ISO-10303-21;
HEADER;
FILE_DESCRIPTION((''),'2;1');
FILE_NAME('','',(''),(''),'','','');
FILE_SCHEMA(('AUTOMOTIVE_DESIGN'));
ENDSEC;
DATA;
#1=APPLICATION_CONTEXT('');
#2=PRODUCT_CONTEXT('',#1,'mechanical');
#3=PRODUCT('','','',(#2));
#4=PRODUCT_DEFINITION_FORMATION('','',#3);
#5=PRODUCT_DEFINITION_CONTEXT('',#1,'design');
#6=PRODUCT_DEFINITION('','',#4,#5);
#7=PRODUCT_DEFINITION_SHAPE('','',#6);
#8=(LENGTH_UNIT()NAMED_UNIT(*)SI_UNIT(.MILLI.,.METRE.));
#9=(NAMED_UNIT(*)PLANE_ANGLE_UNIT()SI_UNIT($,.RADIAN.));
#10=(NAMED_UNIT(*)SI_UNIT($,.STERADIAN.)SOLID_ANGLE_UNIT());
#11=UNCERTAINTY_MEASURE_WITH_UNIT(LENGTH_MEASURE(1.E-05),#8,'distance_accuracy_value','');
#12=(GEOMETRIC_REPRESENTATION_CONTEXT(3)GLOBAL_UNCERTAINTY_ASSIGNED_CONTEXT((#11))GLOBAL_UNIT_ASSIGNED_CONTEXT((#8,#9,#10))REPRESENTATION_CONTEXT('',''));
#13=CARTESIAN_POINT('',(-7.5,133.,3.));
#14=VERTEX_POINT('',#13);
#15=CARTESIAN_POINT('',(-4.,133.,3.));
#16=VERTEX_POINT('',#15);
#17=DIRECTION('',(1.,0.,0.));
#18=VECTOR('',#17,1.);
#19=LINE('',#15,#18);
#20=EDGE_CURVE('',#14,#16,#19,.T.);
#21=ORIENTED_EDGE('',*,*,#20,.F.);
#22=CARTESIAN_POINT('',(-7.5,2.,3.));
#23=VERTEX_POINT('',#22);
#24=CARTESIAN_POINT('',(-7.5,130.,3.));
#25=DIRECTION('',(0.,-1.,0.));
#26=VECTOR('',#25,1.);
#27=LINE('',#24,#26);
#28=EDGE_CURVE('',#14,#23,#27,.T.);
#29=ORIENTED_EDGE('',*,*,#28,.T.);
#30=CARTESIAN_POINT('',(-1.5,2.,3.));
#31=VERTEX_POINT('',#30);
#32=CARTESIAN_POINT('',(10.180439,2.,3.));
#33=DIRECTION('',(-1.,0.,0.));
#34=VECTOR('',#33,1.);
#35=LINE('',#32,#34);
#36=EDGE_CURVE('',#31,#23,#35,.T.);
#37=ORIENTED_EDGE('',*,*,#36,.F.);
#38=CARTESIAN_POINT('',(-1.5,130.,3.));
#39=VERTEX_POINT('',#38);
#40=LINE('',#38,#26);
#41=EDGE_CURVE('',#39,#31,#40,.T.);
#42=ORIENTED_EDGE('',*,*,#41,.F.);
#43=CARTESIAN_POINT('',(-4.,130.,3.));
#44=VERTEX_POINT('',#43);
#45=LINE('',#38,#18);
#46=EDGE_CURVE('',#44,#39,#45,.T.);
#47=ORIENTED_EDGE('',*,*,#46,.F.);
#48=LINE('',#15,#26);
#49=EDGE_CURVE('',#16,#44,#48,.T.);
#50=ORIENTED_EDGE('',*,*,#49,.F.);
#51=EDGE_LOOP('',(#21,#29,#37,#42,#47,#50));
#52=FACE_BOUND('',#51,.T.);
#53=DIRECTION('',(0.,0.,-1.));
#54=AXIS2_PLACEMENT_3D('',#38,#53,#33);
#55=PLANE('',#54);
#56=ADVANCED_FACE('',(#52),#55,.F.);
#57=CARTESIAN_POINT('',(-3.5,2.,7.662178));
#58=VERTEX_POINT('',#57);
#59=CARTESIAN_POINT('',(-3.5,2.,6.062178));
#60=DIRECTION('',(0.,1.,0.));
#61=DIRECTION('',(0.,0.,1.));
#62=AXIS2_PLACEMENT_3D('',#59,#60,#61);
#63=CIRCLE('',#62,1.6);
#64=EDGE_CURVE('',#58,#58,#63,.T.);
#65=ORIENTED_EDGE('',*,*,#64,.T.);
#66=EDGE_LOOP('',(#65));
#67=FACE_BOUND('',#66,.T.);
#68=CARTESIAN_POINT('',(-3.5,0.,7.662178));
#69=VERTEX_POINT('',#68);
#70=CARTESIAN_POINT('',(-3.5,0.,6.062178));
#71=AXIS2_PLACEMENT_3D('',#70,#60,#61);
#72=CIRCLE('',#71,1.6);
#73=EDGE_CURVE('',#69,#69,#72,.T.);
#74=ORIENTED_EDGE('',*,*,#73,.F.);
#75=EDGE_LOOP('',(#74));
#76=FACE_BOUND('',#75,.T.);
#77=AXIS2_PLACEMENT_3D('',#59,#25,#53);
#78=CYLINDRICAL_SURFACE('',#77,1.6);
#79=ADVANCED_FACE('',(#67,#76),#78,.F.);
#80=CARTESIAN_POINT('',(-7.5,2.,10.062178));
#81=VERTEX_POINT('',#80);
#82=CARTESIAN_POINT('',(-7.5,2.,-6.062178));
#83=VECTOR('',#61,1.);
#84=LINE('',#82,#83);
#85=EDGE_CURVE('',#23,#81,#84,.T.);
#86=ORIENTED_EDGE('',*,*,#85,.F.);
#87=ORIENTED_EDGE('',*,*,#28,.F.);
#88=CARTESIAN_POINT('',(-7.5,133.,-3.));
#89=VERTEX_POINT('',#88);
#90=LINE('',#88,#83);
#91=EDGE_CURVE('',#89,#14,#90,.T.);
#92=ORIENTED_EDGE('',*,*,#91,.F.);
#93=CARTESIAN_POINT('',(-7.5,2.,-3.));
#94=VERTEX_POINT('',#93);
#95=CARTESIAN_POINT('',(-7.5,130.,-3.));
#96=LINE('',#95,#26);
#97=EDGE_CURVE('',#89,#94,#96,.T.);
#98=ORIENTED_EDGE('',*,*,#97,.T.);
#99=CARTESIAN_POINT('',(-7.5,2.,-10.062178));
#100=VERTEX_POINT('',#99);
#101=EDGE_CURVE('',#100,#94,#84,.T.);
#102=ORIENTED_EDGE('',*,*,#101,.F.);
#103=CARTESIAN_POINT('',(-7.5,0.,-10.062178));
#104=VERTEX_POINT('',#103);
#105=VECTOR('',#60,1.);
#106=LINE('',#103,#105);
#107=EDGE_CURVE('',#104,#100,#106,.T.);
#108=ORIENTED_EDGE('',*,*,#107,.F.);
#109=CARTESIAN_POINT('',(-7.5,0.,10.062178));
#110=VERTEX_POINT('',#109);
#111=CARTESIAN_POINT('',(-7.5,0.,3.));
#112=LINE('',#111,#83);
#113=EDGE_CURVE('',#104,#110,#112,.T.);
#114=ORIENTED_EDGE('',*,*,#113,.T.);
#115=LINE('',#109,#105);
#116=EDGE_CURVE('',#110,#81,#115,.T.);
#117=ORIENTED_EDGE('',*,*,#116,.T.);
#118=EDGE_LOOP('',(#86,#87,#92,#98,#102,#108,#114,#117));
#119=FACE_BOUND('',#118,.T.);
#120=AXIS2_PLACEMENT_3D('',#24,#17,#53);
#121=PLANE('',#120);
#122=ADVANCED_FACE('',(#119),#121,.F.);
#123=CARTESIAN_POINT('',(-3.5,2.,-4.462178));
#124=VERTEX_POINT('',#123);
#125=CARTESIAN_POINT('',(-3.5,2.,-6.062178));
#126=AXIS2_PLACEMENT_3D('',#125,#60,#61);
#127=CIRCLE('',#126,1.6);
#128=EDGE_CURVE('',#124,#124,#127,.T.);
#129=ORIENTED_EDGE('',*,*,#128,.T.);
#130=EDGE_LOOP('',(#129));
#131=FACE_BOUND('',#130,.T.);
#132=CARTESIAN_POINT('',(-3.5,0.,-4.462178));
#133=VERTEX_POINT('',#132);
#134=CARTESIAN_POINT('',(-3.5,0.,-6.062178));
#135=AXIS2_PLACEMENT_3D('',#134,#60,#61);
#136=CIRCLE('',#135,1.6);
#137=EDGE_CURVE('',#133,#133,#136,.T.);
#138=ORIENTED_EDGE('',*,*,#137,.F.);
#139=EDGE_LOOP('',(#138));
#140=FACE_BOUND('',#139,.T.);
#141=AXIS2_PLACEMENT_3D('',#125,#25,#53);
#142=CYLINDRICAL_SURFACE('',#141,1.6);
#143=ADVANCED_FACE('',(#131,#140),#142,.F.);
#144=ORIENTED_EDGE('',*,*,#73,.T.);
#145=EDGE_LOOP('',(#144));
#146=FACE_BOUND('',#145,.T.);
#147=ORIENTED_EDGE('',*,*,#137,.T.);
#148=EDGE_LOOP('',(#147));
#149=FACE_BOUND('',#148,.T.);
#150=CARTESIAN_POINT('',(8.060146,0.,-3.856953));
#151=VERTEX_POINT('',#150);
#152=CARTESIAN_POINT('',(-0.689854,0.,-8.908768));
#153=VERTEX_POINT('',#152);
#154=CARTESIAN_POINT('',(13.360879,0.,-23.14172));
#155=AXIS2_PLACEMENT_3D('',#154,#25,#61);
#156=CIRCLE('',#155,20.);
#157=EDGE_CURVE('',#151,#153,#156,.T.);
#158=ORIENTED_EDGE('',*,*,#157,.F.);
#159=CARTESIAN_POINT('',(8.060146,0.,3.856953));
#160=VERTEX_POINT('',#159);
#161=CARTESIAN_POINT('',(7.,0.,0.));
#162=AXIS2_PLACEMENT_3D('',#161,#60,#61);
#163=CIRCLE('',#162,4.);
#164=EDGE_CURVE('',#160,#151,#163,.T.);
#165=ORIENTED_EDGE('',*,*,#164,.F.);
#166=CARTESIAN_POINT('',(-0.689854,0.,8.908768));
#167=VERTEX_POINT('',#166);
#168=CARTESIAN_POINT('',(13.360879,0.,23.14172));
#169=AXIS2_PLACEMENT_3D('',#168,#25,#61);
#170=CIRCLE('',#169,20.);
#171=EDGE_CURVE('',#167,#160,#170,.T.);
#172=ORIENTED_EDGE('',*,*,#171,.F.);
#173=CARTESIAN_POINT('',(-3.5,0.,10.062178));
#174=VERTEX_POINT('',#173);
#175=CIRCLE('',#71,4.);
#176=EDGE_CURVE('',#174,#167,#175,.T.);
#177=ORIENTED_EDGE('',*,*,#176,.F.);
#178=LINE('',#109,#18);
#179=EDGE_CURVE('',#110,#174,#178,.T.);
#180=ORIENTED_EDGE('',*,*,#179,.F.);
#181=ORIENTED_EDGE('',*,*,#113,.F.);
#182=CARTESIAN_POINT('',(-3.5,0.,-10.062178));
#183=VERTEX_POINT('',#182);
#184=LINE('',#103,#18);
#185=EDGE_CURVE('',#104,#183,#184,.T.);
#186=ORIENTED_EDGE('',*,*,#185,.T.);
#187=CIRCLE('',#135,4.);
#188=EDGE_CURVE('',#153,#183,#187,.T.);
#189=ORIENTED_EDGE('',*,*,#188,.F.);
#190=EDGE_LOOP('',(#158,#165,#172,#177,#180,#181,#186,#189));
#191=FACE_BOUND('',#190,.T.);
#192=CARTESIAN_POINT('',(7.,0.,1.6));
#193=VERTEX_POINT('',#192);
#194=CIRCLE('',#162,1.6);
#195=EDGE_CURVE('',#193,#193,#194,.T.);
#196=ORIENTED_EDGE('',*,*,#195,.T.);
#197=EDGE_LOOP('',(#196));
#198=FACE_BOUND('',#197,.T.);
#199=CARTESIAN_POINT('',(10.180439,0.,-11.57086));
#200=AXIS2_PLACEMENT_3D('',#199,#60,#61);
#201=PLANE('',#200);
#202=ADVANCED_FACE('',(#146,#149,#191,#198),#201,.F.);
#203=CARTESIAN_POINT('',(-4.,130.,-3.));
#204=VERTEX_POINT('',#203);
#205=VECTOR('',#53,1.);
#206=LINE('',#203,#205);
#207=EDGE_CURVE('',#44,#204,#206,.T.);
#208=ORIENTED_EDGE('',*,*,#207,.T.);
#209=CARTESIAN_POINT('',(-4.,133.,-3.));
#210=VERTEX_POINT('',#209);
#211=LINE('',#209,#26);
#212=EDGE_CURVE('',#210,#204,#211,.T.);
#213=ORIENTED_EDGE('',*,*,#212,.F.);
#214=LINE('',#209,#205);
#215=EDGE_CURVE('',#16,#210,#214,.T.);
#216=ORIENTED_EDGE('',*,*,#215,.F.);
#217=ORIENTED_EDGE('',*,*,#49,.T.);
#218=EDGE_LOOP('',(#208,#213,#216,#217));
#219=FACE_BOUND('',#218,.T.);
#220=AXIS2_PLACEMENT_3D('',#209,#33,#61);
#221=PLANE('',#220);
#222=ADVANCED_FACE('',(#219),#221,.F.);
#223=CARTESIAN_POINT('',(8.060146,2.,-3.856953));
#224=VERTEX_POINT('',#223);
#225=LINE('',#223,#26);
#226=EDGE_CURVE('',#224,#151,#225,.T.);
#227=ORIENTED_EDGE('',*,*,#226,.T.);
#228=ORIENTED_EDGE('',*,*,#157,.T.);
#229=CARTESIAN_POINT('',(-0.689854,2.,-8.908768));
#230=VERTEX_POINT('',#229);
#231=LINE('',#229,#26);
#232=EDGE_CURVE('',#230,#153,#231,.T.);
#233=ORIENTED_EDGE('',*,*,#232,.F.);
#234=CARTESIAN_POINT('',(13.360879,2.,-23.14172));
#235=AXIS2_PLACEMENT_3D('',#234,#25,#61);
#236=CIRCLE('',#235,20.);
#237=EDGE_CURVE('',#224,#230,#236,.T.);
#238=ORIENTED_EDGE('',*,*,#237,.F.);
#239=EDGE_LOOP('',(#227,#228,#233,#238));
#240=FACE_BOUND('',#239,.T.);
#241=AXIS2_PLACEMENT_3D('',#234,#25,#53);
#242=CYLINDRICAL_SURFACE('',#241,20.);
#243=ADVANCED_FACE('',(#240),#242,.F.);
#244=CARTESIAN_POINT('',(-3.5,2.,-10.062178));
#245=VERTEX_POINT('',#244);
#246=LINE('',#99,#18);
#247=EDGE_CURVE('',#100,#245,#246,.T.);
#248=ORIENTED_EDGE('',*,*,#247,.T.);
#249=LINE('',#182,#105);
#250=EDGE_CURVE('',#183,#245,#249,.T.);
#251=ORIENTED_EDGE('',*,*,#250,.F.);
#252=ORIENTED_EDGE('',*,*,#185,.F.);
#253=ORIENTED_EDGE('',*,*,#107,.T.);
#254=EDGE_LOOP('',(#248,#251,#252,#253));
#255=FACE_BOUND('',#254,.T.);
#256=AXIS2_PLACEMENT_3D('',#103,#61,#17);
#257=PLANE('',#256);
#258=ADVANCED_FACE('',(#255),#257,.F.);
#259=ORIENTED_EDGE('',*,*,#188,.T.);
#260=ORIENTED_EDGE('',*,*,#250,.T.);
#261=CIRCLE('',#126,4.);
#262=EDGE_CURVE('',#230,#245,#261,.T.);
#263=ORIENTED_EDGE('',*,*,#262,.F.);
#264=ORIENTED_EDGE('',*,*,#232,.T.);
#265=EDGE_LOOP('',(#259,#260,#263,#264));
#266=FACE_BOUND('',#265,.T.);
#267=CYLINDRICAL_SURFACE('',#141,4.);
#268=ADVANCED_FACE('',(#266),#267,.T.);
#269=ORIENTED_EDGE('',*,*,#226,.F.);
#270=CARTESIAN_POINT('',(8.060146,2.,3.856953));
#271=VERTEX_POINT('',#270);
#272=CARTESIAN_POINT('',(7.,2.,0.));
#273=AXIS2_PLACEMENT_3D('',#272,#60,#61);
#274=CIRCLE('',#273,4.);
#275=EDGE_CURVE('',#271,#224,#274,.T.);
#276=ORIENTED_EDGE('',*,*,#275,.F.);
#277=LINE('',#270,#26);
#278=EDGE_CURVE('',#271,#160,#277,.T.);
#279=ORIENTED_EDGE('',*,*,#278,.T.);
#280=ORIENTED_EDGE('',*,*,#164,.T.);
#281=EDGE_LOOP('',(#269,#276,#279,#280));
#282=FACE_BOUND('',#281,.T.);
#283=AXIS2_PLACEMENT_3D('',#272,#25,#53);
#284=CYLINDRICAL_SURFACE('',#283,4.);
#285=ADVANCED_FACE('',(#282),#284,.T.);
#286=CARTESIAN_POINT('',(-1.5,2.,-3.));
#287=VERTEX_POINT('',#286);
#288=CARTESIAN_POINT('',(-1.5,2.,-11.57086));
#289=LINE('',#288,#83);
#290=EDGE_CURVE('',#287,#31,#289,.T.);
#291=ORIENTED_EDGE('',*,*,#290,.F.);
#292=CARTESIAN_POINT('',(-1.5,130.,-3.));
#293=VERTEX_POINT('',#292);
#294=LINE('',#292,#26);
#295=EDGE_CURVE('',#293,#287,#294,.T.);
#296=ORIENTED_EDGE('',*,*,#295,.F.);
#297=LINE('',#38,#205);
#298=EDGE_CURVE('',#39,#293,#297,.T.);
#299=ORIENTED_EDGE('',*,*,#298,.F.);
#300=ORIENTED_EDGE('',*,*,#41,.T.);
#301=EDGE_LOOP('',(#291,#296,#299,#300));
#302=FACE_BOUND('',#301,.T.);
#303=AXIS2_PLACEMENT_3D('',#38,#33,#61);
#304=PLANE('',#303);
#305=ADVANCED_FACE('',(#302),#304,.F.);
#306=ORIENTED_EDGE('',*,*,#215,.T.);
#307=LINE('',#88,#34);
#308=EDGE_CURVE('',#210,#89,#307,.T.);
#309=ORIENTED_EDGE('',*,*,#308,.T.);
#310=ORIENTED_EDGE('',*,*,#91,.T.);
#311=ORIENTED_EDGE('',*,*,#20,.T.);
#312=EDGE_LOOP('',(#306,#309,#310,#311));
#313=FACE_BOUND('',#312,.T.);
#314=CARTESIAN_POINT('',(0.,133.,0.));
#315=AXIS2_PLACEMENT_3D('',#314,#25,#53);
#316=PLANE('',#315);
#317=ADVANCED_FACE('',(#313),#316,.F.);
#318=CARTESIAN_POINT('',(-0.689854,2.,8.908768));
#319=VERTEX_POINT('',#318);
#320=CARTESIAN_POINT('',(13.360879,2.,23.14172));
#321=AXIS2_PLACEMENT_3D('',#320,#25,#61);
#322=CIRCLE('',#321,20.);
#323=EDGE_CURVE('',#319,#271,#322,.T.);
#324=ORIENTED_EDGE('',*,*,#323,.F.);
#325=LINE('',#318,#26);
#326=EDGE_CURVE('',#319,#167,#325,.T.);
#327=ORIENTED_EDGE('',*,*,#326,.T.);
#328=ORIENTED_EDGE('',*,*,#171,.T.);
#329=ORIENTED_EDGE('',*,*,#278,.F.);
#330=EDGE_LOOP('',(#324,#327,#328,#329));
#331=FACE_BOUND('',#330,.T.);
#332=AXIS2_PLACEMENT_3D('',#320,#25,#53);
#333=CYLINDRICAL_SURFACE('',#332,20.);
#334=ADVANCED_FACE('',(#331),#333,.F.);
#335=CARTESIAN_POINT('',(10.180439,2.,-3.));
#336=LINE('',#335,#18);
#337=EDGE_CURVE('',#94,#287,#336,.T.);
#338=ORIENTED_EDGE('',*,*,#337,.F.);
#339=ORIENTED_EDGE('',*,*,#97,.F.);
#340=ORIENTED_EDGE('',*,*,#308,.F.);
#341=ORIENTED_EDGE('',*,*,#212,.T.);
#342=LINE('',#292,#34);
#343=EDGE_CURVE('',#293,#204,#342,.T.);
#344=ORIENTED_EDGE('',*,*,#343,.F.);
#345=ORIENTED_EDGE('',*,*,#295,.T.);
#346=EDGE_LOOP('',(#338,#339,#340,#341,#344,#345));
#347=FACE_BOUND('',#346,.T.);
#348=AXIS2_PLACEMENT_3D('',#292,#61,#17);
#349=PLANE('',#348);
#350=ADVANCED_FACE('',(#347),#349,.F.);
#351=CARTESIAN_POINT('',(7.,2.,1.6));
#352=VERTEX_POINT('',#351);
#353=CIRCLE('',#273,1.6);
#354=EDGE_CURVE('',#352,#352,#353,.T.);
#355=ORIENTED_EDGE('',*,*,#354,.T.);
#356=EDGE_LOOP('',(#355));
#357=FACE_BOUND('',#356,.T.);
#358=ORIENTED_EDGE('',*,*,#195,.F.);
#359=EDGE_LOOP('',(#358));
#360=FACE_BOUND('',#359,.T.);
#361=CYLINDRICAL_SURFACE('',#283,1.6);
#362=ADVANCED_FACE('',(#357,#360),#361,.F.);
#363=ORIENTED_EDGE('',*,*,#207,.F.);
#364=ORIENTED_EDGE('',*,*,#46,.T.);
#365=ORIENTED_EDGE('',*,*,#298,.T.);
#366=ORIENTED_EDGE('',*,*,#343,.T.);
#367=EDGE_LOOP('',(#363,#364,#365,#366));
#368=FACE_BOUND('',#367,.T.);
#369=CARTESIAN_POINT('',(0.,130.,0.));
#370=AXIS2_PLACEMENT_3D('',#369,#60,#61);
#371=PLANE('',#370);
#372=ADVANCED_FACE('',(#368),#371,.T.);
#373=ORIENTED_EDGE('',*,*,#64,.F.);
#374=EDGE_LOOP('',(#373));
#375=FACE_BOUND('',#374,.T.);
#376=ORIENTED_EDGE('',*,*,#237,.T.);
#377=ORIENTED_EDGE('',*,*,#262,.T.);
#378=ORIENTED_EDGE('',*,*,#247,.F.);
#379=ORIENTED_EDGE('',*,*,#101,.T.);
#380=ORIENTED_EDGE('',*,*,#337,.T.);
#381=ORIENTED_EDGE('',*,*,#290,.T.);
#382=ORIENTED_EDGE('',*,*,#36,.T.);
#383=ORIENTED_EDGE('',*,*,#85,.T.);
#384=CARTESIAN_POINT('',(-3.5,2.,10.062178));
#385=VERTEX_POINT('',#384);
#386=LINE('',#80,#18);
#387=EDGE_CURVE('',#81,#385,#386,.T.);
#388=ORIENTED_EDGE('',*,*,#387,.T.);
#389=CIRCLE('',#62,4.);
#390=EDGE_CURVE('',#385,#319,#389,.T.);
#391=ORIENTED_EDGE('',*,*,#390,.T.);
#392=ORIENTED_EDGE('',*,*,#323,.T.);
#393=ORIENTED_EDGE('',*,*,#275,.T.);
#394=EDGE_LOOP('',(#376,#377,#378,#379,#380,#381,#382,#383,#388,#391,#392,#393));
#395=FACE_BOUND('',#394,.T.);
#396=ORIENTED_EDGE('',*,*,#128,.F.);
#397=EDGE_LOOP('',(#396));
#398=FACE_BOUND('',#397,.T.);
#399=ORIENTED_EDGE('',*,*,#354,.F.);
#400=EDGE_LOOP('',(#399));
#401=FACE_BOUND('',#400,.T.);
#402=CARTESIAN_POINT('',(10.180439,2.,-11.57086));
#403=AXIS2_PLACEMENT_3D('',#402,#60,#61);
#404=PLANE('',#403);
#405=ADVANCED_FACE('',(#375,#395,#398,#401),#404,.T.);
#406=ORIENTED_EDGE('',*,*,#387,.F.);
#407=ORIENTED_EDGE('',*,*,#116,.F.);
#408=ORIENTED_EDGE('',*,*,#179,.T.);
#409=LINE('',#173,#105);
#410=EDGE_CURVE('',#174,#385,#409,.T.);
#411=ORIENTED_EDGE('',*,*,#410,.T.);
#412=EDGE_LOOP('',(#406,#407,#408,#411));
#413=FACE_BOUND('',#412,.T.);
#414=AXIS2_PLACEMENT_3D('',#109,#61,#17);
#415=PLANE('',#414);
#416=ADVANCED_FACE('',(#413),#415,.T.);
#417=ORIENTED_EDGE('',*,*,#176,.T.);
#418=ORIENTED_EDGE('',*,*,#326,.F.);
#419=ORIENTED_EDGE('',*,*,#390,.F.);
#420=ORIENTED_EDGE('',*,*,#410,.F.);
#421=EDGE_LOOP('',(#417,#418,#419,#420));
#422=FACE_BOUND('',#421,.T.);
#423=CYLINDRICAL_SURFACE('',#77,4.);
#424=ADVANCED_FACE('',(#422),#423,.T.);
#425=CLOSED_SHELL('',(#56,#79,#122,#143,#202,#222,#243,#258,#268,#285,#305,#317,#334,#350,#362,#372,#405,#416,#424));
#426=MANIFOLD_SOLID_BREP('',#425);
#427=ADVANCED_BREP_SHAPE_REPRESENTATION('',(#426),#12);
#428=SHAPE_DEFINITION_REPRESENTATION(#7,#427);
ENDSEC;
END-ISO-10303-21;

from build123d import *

# Parameters (mm, degrees)
SKETCH_1_R      = 1.6
EXTRUDE_1_DEPTH = 2
SKETCH_3_W      = 6
SKETCH_3_H      = 6
EXTRUDE_3_DEPTH = 130
SKETCH_4_W      = 3.5
SKETCH_4_H      = 6
EXTRUDE_4_DEPTH = 3
EXTRUDE_6_DEPTH = 2


with BuildPart() as part:
    # 草图1 → 凸台-拉伸1 (new body)
    with BuildSketch(Plane(origin=(0, 0, 0), x_dir=(1, 0, 0), z_dir=(0, 1, 0))):
        with BuildLine():
            ThreePointArc((8.06014642, -3.856953405), (11, 0), (8.06014642, 3.856953405))
            ThreePointArc((8.06014642, 3.856953405), (3.36087852, 5.821212354), (-0.68985358, 8.90876826))
            ThreePointArc((-0.68985358, 8.90876826), (-5.5, 9.526279442), (-7.37029284, 5.051814855))
            ThreePointArc((-7.37029284, 5.051814855), (-6.721757039, 0), (-7.37029284, -5.051814855))
            ThreePointArc((-7.37029284, -5.051814855), (-5.5, -9.526279442), (-0.68985358, -8.90876826))
            ThreePointArc((-0.68985358, -8.90876826), (3.36087852, -5.821212354), (8.06014642, -3.856953405))
        make_face()
        with Locations(Location((7, 0, 0), (0, 0, 270))):
            Circle(SKETCH_1_R, mode=Mode.SUBTRACT)
        with Locations(Location((-3.5, -6.062177826, 0), (0, 0, 270))):
            Circle(SKETCH_1_R, mode=Mode.SUBTRACT)
        with Locations(Location((-3.5, 6.062177826, 0), (0, 0, 270))):
            Circle(SKETCH_1_R, mode=Mode.SUBTRACT)
    extrude(amount=EXTRUDE_1_DEPTH)

    # 草图3 → 凸台-拉伸3 (add)
    with BuildSketch(Plane(origin=(0, 0, 0), x_dir=(1, 0, 0), z_dir=(0, 1, 0))):
        with Locations((-4.5, 0)):
            Rectangle(SKETCH_3_W, SKETCH_3_H)
    extrude(amount=EXTRUDE_3_DEPTH)

    # 草图4 → 凸台-拉伸4 (add)
    with BuildSketch(Plane(origin=(0, 130, 0), x_dir=(1, 0, 0), z_dir=(0, 1, 0))):
        with Locations((-5.75, 0)):
            Rectangle(SKETCH_4_W, SKETCH_4_H)
    extrude(amount=EXTRUDE_4_DEPTH)

    # 草图5 → 凸台-拉伸6 (add)
    with BuildSketch(Plane(origin=(0, 2, 0), x_dir=(1, 0, 0), z_dir=(0, 1, 0))):
        Polygon((-7.5, 6.062177826), (-7.5, -6.062177826), (-7.5, -10.062177826), (-3.5, -10.062177826), (-6.276889943, -8.064926479), (-6.276889943, 5.727222141), (-3.5, 10.062177826), (-7.5, 10.062177826), align=None)
    extrude(amount=-EXTRUDE_6_DEPTH)


solid = part.part
